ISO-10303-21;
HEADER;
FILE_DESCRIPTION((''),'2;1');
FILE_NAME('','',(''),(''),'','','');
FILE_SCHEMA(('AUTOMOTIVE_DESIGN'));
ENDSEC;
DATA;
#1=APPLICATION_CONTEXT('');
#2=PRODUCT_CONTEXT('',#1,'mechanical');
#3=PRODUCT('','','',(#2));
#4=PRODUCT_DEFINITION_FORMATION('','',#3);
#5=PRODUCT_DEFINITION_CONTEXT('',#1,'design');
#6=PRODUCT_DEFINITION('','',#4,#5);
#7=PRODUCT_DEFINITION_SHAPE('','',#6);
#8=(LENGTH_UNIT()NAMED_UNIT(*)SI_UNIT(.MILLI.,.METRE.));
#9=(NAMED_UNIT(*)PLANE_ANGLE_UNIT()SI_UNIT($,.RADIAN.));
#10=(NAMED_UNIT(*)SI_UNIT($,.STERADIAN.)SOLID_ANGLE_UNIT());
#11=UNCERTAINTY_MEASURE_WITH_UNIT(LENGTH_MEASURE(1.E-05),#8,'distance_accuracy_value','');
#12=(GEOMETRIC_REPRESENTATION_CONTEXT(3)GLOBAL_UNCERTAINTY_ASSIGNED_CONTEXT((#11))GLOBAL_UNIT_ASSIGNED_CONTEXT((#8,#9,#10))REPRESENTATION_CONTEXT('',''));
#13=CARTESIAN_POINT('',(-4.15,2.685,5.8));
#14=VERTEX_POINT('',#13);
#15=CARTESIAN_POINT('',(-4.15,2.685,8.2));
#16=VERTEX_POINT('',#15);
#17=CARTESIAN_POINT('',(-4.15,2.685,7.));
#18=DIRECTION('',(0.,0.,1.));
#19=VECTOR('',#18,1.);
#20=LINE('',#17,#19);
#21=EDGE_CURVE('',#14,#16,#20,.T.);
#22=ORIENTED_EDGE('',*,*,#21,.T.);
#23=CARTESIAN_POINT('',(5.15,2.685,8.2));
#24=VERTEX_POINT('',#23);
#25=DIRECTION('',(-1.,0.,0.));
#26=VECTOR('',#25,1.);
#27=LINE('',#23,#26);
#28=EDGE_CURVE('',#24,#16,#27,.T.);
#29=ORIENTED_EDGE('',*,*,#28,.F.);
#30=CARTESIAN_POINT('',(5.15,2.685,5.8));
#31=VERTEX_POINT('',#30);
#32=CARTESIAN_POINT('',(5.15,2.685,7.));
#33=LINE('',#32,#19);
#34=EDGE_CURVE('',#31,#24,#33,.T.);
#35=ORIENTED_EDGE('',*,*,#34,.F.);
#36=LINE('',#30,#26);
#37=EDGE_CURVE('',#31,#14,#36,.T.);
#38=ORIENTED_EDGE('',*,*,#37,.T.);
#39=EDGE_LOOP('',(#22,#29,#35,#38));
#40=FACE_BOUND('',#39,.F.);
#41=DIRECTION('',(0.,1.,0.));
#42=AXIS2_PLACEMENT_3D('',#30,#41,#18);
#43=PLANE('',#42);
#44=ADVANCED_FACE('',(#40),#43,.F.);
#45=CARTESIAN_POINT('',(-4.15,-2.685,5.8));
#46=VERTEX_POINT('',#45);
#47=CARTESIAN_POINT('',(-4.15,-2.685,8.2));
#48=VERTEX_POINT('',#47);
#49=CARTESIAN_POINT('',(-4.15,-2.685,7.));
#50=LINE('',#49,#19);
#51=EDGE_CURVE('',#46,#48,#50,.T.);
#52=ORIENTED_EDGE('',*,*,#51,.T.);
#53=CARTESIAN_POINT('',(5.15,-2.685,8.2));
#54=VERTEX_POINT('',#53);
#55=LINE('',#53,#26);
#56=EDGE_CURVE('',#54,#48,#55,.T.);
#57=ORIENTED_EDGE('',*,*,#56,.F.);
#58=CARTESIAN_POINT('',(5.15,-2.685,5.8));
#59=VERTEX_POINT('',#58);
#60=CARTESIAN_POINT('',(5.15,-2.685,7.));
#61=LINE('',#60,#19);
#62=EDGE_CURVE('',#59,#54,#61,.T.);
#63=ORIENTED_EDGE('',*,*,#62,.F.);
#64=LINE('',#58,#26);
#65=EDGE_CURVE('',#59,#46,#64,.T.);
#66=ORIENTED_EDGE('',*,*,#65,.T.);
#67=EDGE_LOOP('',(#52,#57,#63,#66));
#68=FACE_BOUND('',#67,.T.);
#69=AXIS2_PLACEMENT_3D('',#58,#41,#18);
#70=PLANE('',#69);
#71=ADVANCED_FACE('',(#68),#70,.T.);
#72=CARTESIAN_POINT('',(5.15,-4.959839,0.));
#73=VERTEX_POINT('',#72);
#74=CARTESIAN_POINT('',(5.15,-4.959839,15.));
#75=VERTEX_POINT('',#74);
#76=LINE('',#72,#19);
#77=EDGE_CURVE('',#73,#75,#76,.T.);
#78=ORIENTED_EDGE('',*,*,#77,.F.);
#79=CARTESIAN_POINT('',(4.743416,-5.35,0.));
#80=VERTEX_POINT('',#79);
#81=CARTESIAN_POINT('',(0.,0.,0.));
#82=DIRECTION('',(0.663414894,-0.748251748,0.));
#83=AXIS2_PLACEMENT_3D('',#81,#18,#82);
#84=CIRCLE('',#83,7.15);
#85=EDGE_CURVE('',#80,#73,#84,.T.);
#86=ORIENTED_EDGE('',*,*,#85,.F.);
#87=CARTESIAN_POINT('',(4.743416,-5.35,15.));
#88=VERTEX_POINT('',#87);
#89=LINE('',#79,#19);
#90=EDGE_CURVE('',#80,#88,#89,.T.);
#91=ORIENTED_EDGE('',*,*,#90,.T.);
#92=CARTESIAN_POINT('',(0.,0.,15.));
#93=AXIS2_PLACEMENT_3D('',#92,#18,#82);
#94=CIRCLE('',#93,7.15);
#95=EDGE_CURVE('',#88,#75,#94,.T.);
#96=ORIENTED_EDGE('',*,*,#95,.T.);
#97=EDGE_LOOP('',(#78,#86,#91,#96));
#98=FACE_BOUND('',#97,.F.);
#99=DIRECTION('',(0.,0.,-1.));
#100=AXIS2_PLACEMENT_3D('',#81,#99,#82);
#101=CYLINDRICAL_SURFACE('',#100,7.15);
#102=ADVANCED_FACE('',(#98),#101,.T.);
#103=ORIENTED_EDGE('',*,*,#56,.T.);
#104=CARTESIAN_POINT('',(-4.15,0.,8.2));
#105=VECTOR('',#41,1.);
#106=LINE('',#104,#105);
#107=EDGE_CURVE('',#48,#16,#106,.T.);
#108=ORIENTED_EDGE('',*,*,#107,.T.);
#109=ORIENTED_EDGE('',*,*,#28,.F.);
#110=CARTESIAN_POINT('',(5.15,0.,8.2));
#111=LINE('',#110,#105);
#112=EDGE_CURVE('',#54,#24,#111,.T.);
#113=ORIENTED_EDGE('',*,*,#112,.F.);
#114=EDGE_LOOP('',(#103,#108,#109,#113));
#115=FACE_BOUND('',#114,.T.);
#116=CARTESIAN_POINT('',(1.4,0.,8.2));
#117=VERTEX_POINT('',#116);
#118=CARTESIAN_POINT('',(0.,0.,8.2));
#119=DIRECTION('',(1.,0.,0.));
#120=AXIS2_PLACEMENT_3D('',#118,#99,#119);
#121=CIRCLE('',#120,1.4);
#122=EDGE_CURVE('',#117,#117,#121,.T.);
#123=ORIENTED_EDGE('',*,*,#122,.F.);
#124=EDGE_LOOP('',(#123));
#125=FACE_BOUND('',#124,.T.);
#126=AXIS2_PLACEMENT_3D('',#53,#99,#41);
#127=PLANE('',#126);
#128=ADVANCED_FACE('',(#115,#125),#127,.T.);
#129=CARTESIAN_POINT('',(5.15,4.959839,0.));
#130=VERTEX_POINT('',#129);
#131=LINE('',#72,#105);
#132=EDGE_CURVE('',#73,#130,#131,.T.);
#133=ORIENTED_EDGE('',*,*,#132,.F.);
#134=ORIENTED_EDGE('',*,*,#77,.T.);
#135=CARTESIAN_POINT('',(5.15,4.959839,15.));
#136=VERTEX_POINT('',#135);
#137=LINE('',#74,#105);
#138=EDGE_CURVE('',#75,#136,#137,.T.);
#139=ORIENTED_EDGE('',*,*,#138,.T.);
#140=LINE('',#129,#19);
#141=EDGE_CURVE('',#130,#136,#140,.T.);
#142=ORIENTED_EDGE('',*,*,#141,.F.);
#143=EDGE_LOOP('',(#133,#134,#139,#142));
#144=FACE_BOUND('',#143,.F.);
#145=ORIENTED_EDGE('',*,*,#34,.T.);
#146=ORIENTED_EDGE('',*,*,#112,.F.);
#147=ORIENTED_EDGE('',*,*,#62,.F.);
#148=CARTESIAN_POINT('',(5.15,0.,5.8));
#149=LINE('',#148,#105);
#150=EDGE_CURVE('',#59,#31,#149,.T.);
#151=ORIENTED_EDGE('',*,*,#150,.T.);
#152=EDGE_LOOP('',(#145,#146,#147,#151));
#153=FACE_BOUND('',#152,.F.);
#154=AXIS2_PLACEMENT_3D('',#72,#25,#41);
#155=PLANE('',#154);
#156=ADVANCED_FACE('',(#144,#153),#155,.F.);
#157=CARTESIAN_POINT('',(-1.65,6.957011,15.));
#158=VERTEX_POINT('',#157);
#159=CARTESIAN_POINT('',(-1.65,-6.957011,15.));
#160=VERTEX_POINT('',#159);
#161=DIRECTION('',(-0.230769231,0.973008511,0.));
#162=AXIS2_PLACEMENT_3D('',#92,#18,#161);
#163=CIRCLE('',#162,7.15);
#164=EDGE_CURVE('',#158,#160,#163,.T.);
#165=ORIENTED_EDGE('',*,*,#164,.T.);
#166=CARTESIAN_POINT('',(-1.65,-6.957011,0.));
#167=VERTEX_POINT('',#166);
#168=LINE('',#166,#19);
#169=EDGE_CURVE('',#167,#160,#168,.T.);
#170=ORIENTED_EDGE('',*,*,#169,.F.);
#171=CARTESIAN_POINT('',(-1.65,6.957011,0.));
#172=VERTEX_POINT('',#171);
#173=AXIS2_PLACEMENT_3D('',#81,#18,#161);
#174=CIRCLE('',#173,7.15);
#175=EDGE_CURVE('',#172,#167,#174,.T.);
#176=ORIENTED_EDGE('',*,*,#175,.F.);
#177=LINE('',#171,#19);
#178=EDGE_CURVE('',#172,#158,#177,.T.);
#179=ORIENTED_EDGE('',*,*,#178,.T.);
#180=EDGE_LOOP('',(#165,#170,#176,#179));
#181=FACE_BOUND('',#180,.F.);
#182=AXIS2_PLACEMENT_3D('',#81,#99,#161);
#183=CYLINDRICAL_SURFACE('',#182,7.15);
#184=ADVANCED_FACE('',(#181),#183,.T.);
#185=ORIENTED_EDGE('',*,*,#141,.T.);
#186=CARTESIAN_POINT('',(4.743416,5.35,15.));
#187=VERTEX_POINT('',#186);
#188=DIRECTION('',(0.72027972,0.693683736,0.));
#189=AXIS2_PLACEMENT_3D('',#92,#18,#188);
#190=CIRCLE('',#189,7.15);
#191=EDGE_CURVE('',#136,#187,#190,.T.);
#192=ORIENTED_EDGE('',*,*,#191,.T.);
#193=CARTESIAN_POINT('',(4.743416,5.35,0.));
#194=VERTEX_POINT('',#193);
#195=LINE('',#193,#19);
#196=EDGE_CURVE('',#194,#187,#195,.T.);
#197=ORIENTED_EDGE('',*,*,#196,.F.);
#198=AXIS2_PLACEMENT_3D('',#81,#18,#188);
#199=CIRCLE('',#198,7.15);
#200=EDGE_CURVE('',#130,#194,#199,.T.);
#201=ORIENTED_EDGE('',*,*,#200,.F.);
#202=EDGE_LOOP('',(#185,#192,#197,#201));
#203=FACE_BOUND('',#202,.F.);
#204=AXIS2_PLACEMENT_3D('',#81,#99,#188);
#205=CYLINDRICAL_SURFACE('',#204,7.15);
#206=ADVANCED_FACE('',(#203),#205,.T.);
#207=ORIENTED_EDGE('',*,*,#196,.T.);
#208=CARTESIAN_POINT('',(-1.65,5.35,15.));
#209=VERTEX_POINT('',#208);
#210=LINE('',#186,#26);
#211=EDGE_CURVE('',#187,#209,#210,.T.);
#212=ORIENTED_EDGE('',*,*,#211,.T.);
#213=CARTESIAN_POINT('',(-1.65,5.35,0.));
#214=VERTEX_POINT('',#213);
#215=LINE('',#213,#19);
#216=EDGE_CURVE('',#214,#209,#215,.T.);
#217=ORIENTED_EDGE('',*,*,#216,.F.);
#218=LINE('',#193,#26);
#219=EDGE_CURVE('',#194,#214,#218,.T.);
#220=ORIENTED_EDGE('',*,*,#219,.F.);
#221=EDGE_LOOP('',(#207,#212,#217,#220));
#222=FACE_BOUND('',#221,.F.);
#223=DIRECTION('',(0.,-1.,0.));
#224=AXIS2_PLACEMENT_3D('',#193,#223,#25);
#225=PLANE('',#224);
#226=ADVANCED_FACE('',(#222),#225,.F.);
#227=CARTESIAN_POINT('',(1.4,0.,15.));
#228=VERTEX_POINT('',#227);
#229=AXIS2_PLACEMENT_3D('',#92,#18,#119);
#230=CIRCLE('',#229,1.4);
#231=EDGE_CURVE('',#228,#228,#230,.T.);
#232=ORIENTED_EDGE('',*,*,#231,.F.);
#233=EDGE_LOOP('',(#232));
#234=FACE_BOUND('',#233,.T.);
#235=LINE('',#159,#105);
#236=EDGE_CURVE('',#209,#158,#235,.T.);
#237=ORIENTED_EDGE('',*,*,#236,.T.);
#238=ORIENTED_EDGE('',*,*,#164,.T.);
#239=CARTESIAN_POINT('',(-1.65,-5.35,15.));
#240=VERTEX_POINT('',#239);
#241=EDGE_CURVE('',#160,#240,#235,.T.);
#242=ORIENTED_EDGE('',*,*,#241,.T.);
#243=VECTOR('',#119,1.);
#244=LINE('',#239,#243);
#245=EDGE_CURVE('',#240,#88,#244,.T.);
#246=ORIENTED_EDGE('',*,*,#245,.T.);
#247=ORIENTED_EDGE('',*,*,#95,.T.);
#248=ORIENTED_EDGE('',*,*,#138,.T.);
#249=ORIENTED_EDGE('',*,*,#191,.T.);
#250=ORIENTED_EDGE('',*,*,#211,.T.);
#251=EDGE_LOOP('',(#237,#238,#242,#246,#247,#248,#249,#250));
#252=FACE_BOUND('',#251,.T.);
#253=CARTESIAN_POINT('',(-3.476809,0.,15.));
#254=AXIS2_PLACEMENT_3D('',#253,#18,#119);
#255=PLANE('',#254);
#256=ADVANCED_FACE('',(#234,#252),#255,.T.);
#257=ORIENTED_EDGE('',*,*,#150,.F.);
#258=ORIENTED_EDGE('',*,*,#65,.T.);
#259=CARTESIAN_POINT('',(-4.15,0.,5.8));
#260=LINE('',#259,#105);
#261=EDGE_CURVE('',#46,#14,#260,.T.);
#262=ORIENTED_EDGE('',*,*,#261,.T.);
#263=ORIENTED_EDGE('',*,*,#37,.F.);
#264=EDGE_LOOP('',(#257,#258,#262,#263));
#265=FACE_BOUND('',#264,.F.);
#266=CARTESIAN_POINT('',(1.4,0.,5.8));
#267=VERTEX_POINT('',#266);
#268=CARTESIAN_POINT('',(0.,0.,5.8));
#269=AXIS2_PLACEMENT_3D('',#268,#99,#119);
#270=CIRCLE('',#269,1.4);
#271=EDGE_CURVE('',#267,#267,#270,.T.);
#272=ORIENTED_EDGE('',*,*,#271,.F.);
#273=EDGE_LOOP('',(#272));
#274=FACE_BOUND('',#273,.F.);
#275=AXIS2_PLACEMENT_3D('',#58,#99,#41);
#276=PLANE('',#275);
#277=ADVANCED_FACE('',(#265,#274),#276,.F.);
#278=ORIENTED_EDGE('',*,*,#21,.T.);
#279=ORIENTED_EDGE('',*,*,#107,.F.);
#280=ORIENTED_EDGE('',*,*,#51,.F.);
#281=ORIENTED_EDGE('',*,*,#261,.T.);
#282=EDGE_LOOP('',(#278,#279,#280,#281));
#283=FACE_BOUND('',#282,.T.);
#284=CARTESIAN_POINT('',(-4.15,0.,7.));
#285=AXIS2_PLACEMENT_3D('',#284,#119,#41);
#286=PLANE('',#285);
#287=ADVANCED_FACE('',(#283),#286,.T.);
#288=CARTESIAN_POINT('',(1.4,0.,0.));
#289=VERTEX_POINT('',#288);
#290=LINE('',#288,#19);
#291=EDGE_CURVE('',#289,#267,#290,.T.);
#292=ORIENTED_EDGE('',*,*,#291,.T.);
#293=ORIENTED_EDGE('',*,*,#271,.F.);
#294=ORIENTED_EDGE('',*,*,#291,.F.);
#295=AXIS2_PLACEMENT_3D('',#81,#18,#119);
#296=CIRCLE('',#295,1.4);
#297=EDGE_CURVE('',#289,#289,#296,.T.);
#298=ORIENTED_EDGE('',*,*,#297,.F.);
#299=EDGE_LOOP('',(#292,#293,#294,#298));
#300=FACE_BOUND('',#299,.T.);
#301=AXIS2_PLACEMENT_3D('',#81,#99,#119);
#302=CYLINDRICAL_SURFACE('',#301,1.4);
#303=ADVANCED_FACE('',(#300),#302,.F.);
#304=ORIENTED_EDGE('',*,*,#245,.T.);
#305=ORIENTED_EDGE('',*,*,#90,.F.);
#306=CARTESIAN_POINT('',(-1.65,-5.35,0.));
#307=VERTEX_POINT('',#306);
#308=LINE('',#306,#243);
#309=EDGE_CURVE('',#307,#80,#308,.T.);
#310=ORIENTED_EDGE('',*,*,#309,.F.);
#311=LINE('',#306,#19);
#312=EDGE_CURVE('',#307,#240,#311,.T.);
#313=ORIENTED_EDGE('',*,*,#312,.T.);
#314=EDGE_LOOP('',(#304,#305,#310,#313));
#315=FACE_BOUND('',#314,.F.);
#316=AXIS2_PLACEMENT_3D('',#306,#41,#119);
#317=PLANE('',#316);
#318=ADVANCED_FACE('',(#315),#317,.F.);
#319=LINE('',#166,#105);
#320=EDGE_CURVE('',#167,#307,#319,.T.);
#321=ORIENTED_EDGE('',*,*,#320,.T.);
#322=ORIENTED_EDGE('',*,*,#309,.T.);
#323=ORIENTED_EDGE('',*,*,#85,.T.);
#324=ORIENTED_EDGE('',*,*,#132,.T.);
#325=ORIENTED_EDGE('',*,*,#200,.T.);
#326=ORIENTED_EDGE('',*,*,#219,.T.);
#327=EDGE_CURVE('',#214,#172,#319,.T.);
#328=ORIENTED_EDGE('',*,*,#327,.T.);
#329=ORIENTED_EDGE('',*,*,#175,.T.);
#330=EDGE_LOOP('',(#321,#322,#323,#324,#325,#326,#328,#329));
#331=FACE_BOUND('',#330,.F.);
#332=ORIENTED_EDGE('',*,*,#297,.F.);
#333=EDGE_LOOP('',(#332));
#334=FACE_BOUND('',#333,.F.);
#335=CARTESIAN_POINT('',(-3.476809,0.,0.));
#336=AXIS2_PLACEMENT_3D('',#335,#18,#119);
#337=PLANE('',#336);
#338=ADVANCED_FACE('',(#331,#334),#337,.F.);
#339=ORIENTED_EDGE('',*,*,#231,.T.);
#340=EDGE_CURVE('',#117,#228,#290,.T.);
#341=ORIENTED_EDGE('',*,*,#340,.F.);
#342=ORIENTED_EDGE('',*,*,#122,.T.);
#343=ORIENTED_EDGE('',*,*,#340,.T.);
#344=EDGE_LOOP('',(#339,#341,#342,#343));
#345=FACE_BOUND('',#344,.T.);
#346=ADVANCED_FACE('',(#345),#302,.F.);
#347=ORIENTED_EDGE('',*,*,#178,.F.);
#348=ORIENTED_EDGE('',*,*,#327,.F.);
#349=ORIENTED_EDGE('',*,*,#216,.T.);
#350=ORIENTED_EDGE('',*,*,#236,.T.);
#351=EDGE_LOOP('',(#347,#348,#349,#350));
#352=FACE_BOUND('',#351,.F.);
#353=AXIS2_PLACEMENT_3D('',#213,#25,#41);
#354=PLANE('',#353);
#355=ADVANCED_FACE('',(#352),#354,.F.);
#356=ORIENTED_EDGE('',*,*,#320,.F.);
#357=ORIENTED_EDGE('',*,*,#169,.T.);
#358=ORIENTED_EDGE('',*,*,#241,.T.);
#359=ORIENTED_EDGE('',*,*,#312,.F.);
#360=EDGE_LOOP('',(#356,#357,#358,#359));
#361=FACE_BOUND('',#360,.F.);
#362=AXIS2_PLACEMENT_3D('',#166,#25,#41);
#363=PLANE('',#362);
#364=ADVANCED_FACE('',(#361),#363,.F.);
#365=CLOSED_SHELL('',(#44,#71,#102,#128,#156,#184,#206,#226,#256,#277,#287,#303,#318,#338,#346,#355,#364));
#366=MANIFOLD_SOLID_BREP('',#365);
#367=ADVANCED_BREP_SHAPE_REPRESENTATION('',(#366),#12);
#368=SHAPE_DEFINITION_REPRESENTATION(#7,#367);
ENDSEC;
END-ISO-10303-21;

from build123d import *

# Parameters (mm, degrees)
F0_R     = 1.4
F1_DEPTH = 15
F2_W     = 5.37
F2_H     = 2.4
F3_DEPTH = 9.3


with BuildPart() as f1:
    # F0 (on Top) → F1 (new body)
    with BuildSketch(Plane.XY):
        with BuildLine():
            Line((-1.65, 5.35), (-1.65, 6.9570108524))
            ThreePointArc((-1.65, 6.9570108524), (-7.15, 0), (-1.65, -6.9570108524))
            Line((-1.65, -6.9570108524), (-1.65, -5.35))
            Line((-1.65, -5.35), (-1.65, 5.35))
        make_face()
        with BuildLine():
            Line((5.15, -4.9598387071), (5.15, 4.9598387071))
            ThreePointArc((5.15, 4.9598387071), (4.9505533954, 5.1589263494), (4.7434164903, 5.35))
            Line((4.7434164903, 5.35), (-1.65, 5.35))
            Line((-1.65, 5.35), (-1.65, -5.35))
            Line((-1.65, -5.35), (4.7434164903, -5.35))
            ThreePointArc((4.7434164903, -5.35), (4.9505533954, -5.1589263494), (5.15, -4.9598387071))
        make_face()
        Circle(F0_R, mode=Mode.SUBTRACT)
    extrude(amount=F1_DEPTH)

    # F2 (on face) → F3 (cut)
    with BuildSketch(Plane.YZ.offset(5.15)):
        with Locations((0, 7)):
            Rectangle(F2_W, F2_H)
    extrude(amount=-F3_DEPTH, mode=Mode.SUBTRACT)


solid = f1.part
